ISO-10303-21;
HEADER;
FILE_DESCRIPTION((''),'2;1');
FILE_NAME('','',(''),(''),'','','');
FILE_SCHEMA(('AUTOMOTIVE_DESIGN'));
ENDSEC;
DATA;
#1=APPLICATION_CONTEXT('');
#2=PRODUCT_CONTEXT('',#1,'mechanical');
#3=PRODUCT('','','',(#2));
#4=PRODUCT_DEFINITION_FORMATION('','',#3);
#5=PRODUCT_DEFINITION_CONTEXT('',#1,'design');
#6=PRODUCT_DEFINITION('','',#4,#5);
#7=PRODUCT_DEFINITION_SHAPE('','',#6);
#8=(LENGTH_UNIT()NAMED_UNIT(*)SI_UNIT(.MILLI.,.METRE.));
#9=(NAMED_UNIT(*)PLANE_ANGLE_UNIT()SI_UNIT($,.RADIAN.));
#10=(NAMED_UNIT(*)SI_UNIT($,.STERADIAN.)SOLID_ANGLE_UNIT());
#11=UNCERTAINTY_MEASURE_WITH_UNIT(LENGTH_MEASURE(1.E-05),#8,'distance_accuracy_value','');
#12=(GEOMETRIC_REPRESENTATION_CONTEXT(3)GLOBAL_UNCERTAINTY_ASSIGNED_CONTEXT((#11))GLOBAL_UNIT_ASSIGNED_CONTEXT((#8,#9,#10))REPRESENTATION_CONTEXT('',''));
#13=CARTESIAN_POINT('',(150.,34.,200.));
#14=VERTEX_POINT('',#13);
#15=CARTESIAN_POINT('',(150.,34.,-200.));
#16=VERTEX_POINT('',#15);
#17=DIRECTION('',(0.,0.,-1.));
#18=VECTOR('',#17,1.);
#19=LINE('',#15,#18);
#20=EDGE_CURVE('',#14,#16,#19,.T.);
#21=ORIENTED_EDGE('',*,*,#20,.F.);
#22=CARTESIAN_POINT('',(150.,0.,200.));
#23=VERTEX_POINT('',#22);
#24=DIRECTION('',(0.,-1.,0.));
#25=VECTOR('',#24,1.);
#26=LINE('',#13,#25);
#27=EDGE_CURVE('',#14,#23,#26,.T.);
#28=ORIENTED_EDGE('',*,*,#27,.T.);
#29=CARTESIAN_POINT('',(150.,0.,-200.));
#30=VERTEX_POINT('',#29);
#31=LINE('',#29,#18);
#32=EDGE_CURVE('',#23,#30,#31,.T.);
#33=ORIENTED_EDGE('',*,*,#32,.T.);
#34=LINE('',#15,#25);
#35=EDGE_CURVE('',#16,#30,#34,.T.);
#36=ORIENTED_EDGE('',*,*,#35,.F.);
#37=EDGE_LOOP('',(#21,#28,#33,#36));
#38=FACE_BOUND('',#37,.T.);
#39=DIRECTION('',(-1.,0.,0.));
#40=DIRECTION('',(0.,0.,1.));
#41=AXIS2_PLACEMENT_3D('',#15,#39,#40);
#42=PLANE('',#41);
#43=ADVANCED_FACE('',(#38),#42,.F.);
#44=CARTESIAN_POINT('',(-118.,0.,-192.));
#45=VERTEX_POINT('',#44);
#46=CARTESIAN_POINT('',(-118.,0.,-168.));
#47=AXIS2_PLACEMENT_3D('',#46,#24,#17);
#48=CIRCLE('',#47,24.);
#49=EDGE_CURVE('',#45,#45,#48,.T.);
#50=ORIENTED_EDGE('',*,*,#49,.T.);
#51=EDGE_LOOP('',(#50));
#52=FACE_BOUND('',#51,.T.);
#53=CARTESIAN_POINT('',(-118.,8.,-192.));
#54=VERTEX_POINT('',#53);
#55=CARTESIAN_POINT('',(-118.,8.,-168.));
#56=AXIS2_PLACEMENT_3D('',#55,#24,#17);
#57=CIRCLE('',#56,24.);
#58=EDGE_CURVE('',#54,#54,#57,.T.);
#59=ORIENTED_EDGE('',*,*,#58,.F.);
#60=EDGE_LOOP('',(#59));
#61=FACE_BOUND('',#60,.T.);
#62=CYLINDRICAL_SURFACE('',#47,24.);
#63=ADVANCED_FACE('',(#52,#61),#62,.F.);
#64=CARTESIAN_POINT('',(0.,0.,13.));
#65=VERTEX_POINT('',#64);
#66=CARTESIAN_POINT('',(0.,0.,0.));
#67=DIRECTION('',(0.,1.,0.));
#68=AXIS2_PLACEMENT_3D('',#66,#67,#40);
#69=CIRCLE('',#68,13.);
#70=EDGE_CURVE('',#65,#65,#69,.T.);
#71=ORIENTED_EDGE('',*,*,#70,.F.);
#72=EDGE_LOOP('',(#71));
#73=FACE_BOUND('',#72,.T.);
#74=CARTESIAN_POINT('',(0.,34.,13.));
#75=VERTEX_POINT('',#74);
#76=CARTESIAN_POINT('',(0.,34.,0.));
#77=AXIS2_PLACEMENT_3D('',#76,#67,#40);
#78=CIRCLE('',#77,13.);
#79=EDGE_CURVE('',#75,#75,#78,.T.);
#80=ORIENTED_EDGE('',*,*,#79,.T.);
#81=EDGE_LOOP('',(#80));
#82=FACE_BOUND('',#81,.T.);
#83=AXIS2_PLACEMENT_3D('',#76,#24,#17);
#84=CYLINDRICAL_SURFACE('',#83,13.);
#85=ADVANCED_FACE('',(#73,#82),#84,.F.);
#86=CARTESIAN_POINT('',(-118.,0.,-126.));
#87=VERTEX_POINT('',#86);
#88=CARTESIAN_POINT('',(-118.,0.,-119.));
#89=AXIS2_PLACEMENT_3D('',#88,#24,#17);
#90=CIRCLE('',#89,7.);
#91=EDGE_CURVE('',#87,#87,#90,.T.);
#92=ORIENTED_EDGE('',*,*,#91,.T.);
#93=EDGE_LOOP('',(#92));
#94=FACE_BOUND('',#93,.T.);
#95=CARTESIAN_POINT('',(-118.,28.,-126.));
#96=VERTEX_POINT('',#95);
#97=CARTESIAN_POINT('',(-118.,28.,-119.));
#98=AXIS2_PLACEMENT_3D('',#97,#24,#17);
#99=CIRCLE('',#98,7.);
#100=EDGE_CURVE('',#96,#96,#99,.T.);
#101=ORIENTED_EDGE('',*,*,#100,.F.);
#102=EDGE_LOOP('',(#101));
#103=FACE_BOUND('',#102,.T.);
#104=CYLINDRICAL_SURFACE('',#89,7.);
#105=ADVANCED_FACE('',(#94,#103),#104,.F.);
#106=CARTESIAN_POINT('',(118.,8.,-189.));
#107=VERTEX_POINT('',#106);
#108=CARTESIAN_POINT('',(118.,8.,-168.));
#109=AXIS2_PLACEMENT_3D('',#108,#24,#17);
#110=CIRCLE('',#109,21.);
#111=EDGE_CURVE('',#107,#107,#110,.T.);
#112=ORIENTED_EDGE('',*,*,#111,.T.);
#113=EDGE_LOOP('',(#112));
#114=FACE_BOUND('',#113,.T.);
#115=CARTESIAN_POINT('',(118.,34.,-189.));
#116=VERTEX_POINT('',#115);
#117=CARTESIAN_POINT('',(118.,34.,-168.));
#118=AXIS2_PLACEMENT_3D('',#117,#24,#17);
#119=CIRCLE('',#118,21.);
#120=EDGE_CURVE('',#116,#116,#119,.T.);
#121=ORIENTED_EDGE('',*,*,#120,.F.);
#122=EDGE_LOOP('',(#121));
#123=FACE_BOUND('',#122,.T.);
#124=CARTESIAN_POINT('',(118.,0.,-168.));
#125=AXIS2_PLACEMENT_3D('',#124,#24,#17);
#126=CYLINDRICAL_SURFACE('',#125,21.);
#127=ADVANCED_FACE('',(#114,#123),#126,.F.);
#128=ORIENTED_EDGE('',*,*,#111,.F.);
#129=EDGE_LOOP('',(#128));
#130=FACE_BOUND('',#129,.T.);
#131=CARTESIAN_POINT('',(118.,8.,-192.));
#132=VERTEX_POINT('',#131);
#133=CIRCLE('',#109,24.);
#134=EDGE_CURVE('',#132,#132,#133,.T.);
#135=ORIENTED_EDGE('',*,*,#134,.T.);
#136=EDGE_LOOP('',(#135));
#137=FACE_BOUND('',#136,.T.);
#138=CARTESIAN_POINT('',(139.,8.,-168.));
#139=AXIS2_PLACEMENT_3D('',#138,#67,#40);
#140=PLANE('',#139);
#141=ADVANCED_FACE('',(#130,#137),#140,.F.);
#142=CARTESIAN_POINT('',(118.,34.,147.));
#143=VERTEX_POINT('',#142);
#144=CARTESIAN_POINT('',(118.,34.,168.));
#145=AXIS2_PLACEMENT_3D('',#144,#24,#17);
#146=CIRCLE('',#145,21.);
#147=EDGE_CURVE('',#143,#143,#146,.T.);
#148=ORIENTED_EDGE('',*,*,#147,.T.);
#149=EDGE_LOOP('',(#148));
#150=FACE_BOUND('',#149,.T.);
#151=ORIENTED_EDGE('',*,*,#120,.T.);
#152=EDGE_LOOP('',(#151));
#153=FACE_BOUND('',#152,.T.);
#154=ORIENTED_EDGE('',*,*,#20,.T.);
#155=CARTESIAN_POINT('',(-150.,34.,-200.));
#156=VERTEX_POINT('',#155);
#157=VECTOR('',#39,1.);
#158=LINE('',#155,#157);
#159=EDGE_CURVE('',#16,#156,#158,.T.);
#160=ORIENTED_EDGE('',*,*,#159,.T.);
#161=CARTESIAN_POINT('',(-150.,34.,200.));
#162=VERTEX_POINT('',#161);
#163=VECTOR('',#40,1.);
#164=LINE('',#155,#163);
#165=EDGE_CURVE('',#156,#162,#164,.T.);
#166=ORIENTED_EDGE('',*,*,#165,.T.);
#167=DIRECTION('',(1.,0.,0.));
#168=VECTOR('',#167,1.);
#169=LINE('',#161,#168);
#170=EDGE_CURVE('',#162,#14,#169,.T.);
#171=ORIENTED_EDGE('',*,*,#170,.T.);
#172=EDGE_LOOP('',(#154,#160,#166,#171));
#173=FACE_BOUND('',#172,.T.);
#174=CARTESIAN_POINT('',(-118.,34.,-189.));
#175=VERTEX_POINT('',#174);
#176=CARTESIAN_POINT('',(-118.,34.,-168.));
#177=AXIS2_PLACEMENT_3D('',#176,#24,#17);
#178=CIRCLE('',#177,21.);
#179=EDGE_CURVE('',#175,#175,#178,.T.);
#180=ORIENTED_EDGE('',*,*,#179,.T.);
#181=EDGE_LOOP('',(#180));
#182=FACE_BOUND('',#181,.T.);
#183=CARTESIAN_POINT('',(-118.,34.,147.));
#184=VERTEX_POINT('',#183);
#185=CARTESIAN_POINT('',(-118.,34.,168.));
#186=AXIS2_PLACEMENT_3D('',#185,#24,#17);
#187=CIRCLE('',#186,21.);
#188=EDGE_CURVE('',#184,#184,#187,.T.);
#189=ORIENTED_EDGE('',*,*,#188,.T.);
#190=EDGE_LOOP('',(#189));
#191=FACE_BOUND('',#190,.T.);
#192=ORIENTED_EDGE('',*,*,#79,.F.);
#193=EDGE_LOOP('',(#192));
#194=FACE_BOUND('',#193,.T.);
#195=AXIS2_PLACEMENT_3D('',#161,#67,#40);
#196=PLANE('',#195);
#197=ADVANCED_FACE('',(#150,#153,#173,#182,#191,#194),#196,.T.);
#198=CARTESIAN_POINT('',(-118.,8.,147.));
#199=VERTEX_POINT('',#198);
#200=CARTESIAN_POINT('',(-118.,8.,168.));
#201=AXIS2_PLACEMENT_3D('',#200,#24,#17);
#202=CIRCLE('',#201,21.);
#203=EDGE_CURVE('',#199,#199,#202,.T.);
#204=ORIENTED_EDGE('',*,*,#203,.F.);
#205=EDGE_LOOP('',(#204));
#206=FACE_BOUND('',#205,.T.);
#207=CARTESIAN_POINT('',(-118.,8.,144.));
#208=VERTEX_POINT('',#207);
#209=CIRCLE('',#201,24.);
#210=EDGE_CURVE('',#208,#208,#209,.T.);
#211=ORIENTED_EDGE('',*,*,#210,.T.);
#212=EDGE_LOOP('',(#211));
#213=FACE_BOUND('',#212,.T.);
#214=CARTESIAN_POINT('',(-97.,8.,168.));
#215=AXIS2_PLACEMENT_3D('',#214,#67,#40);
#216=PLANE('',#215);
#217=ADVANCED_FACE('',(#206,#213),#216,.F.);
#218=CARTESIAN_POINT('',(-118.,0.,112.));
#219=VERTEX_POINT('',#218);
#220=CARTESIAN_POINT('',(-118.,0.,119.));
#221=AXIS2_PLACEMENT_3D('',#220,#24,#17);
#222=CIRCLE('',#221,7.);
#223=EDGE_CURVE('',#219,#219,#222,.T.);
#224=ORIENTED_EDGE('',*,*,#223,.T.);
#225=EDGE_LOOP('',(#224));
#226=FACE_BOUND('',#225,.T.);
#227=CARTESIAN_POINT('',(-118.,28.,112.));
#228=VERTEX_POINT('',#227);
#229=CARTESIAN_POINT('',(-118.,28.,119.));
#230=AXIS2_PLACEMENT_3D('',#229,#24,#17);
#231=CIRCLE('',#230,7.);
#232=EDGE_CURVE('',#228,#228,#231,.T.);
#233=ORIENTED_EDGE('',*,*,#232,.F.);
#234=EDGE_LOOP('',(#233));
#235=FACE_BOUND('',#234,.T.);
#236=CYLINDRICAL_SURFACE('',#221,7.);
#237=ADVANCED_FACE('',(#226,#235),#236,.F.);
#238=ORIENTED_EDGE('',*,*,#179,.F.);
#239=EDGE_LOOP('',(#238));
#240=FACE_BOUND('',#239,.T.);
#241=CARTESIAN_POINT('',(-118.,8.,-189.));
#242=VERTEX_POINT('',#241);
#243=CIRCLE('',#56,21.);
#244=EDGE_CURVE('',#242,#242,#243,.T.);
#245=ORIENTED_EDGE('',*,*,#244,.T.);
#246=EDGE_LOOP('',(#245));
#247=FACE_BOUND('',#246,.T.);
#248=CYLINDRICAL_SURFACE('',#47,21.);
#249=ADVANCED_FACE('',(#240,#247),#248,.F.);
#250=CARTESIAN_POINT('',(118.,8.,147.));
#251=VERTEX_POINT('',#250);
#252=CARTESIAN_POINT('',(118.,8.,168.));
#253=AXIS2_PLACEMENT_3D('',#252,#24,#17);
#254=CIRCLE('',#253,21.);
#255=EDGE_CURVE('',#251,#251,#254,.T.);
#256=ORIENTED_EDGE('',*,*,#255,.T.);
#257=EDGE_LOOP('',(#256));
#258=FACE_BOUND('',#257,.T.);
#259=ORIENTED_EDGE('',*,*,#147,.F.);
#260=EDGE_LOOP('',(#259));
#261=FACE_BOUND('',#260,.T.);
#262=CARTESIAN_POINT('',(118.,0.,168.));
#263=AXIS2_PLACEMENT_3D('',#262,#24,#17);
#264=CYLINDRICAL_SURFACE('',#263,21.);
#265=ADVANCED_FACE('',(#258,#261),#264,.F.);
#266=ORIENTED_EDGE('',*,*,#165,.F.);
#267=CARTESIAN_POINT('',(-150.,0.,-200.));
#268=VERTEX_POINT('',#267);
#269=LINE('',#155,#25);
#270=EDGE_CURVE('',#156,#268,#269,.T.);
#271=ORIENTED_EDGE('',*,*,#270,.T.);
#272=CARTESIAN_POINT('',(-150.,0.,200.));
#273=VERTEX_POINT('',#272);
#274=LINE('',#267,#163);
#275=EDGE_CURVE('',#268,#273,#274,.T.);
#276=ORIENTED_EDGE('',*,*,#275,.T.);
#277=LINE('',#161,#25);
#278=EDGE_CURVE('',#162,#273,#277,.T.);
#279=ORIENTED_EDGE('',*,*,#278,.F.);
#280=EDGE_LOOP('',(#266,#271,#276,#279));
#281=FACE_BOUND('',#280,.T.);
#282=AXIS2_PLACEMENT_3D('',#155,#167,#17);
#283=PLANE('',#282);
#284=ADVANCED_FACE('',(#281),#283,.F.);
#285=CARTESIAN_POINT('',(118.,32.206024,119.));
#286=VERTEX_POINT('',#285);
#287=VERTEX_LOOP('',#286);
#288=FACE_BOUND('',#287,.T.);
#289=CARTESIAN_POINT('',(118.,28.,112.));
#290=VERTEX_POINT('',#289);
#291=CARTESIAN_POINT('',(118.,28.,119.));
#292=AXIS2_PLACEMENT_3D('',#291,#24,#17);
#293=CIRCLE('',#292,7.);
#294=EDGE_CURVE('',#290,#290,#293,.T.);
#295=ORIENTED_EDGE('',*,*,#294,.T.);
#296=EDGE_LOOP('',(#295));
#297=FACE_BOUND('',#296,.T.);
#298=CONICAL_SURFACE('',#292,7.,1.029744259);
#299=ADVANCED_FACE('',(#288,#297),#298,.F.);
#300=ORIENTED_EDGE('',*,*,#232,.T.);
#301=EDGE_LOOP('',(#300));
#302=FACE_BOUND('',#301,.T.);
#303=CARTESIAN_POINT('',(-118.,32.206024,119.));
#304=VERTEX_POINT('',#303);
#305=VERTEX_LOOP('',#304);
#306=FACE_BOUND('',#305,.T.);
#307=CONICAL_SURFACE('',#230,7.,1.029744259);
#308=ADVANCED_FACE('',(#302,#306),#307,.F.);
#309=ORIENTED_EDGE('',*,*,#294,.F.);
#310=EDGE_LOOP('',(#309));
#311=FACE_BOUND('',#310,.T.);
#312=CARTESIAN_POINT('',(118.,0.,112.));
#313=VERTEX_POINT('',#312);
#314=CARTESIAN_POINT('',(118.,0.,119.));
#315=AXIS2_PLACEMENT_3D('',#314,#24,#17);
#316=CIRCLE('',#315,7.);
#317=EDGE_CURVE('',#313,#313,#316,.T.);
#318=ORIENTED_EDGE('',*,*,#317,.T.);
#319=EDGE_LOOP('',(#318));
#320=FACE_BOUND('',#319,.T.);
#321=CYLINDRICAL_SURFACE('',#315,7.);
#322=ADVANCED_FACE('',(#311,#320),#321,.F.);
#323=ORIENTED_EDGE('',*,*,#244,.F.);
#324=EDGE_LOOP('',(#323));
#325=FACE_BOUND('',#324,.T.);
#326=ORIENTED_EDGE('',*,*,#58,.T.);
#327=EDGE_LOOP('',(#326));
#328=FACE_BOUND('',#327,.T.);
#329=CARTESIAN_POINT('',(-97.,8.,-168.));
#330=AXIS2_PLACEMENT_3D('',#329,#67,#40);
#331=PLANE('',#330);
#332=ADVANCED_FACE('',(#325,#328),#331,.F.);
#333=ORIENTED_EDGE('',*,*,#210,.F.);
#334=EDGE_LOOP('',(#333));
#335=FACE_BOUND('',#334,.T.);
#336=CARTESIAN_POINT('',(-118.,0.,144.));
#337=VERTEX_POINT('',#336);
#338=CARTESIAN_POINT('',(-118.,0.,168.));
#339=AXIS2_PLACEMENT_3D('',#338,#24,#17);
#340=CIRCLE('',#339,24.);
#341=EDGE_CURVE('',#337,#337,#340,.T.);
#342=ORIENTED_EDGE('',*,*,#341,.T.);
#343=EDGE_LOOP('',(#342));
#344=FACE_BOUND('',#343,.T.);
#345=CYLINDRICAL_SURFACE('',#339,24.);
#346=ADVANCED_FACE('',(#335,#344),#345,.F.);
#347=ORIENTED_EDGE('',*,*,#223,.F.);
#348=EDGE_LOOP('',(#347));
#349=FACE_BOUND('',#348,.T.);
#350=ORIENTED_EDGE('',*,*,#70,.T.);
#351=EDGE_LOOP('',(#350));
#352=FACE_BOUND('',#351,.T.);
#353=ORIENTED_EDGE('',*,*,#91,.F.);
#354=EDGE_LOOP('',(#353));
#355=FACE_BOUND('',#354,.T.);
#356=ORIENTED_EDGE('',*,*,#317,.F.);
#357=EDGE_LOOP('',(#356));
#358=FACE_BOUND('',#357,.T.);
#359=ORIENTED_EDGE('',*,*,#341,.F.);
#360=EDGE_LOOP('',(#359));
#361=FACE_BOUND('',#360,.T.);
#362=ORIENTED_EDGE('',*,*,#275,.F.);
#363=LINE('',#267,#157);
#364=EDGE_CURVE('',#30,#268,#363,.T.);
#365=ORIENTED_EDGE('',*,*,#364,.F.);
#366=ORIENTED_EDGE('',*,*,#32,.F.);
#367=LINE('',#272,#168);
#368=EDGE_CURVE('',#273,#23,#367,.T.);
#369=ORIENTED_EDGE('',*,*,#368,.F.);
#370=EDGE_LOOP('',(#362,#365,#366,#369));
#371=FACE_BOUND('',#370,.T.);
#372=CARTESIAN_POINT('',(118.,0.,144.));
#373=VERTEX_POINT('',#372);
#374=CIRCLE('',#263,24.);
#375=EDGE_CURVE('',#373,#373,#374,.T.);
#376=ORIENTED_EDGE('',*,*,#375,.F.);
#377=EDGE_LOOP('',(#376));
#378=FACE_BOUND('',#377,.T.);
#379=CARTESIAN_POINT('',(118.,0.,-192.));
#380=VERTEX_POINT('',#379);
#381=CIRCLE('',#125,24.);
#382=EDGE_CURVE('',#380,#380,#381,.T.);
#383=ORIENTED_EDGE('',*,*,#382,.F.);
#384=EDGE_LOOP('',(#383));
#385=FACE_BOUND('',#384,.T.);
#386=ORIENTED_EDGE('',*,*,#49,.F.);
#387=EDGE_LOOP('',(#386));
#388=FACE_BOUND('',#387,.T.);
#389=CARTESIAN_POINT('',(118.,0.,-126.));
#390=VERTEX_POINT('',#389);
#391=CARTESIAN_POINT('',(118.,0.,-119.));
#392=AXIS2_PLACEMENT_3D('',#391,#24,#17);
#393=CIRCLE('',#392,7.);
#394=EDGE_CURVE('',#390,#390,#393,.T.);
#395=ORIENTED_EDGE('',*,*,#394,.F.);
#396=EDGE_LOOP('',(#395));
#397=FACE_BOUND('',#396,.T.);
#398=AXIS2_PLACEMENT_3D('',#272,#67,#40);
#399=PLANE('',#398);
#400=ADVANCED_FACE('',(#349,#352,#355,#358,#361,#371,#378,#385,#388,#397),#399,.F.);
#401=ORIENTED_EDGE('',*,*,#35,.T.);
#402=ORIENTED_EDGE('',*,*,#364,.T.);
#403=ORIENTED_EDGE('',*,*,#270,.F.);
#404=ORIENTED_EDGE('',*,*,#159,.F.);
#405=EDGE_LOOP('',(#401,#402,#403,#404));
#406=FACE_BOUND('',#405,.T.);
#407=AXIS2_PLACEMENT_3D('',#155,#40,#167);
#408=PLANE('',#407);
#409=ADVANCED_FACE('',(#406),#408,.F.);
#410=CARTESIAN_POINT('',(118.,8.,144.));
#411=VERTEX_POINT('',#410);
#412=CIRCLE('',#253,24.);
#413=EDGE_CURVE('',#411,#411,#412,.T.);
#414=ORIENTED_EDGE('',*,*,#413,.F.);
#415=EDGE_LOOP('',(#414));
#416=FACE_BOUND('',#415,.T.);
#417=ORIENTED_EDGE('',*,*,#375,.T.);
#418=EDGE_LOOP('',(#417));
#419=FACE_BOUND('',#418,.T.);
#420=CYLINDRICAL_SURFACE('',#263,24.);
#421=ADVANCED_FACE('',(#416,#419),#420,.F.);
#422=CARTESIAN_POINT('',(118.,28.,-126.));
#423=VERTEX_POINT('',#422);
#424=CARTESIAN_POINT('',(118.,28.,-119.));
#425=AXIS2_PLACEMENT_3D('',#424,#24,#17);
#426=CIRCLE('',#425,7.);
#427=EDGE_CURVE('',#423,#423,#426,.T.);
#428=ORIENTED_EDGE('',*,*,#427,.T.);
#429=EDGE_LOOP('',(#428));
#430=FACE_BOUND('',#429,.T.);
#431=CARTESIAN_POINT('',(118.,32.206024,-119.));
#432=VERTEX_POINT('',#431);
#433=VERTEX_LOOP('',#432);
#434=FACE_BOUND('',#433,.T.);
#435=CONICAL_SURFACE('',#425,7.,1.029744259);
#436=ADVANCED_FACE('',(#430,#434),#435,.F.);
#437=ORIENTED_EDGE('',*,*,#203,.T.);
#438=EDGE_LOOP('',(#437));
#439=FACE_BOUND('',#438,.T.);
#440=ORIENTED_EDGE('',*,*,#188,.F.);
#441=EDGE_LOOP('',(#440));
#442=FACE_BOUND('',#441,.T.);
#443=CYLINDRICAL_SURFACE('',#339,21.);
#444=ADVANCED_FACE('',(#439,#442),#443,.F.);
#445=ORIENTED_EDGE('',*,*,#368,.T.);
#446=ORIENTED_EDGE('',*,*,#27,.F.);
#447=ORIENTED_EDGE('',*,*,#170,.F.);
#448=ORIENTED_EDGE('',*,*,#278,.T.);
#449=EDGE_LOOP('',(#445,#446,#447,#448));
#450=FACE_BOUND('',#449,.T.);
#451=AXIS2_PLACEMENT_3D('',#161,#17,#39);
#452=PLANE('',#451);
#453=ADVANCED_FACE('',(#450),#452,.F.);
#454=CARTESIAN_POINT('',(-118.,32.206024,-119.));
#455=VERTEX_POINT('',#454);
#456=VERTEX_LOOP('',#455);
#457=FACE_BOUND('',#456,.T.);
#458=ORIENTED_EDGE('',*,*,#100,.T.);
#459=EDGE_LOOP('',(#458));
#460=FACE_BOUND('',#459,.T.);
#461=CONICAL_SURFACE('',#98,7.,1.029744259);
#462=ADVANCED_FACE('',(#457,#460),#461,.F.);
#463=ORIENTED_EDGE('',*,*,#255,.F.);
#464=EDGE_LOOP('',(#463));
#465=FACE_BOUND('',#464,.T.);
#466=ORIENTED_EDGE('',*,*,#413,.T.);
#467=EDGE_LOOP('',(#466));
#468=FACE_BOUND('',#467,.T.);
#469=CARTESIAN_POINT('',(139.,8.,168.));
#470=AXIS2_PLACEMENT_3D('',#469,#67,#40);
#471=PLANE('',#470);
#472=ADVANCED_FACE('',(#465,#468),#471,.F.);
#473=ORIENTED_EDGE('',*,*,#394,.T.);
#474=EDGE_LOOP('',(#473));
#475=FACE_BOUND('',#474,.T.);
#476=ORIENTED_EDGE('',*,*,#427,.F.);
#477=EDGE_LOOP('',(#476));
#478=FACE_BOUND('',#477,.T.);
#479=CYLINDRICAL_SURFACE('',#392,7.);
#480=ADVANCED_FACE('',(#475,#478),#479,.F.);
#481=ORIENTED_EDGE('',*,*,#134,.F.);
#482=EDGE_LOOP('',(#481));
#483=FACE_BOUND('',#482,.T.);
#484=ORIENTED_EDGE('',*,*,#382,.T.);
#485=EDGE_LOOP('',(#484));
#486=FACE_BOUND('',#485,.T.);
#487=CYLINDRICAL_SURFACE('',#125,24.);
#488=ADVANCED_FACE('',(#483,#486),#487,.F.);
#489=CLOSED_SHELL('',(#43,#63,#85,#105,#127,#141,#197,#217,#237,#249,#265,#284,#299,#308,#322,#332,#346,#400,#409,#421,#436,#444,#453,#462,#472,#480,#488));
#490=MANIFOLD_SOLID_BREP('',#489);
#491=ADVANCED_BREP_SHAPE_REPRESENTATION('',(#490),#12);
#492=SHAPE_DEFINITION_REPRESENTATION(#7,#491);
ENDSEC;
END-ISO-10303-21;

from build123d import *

# Parameters (mm, degrees)
ESBO_O1_W                  = 300
ESBO_O1_H                  = 400
ESBO_O1_R                  = 13
EXTRUS_O1_DEPTH            = 34
FURO_ROSCADO_DE_M161_D     = 14
FURO_ROSCADO_DE_M161_DEPTH = 28
FURO_ROSCADO_DE_M161_TIP   = 4.206024333
FURO1_D                    = 42
FURO1_CBORE_D              = 48
FURO1_CBORE_DEPTH          = 8


with BuildPart() as part:
    # Esboço1 → Extrusão1 (new body)
    with BuildSketch(Plane(origin=(0, 0, 0), x_dir=(1, 0, 0), z_dir=(0, 1, 0))):
        Rectangle(ESBO_O1_W, ESBO_O1_H)
        with Locations(Location((0, 0, 0), (0, 0, 270))):  # turned: the seam where the file's is
            Circle(ESBO_O1_R, mode=Mode.SUBTRACT)
    extrude(amount=EXTRUS_O1_DEPTH)

    # Furo roscado de M161
    with Locations(Plane.XZ):
        with Locations((-118, 119), (118, 119), (-118, -119), (118, -119)):
            Hole(FURO_ROSCADO_DE_M161_D / 2, depth=FURO_ROSCADO_DE_M161_DEPTH)
            with Locations((0, 0, -(FURO_ROSCADO_DE_M161_DEPTH + FURO_ROSCADO_DE_M161_TIP / 2))):  # 118° drill point
                Cone(0, FURO_ROSCADO_DE_M161_D / 2, FURO_ROSCADO_DE_M161_TIP, mode=Mode.SUBTRACT)

    # Furo1 (through all)
    with Locations(Plane.XZ):
        with Locations((118, 168), (118, -168), (-118, -168), (-118, 168)):
            CounterBoreHole(FURO1_D / 2, FURO1_CBORE_D / 2, FURO1_CBORE_DEPTH)


solid = part.part
